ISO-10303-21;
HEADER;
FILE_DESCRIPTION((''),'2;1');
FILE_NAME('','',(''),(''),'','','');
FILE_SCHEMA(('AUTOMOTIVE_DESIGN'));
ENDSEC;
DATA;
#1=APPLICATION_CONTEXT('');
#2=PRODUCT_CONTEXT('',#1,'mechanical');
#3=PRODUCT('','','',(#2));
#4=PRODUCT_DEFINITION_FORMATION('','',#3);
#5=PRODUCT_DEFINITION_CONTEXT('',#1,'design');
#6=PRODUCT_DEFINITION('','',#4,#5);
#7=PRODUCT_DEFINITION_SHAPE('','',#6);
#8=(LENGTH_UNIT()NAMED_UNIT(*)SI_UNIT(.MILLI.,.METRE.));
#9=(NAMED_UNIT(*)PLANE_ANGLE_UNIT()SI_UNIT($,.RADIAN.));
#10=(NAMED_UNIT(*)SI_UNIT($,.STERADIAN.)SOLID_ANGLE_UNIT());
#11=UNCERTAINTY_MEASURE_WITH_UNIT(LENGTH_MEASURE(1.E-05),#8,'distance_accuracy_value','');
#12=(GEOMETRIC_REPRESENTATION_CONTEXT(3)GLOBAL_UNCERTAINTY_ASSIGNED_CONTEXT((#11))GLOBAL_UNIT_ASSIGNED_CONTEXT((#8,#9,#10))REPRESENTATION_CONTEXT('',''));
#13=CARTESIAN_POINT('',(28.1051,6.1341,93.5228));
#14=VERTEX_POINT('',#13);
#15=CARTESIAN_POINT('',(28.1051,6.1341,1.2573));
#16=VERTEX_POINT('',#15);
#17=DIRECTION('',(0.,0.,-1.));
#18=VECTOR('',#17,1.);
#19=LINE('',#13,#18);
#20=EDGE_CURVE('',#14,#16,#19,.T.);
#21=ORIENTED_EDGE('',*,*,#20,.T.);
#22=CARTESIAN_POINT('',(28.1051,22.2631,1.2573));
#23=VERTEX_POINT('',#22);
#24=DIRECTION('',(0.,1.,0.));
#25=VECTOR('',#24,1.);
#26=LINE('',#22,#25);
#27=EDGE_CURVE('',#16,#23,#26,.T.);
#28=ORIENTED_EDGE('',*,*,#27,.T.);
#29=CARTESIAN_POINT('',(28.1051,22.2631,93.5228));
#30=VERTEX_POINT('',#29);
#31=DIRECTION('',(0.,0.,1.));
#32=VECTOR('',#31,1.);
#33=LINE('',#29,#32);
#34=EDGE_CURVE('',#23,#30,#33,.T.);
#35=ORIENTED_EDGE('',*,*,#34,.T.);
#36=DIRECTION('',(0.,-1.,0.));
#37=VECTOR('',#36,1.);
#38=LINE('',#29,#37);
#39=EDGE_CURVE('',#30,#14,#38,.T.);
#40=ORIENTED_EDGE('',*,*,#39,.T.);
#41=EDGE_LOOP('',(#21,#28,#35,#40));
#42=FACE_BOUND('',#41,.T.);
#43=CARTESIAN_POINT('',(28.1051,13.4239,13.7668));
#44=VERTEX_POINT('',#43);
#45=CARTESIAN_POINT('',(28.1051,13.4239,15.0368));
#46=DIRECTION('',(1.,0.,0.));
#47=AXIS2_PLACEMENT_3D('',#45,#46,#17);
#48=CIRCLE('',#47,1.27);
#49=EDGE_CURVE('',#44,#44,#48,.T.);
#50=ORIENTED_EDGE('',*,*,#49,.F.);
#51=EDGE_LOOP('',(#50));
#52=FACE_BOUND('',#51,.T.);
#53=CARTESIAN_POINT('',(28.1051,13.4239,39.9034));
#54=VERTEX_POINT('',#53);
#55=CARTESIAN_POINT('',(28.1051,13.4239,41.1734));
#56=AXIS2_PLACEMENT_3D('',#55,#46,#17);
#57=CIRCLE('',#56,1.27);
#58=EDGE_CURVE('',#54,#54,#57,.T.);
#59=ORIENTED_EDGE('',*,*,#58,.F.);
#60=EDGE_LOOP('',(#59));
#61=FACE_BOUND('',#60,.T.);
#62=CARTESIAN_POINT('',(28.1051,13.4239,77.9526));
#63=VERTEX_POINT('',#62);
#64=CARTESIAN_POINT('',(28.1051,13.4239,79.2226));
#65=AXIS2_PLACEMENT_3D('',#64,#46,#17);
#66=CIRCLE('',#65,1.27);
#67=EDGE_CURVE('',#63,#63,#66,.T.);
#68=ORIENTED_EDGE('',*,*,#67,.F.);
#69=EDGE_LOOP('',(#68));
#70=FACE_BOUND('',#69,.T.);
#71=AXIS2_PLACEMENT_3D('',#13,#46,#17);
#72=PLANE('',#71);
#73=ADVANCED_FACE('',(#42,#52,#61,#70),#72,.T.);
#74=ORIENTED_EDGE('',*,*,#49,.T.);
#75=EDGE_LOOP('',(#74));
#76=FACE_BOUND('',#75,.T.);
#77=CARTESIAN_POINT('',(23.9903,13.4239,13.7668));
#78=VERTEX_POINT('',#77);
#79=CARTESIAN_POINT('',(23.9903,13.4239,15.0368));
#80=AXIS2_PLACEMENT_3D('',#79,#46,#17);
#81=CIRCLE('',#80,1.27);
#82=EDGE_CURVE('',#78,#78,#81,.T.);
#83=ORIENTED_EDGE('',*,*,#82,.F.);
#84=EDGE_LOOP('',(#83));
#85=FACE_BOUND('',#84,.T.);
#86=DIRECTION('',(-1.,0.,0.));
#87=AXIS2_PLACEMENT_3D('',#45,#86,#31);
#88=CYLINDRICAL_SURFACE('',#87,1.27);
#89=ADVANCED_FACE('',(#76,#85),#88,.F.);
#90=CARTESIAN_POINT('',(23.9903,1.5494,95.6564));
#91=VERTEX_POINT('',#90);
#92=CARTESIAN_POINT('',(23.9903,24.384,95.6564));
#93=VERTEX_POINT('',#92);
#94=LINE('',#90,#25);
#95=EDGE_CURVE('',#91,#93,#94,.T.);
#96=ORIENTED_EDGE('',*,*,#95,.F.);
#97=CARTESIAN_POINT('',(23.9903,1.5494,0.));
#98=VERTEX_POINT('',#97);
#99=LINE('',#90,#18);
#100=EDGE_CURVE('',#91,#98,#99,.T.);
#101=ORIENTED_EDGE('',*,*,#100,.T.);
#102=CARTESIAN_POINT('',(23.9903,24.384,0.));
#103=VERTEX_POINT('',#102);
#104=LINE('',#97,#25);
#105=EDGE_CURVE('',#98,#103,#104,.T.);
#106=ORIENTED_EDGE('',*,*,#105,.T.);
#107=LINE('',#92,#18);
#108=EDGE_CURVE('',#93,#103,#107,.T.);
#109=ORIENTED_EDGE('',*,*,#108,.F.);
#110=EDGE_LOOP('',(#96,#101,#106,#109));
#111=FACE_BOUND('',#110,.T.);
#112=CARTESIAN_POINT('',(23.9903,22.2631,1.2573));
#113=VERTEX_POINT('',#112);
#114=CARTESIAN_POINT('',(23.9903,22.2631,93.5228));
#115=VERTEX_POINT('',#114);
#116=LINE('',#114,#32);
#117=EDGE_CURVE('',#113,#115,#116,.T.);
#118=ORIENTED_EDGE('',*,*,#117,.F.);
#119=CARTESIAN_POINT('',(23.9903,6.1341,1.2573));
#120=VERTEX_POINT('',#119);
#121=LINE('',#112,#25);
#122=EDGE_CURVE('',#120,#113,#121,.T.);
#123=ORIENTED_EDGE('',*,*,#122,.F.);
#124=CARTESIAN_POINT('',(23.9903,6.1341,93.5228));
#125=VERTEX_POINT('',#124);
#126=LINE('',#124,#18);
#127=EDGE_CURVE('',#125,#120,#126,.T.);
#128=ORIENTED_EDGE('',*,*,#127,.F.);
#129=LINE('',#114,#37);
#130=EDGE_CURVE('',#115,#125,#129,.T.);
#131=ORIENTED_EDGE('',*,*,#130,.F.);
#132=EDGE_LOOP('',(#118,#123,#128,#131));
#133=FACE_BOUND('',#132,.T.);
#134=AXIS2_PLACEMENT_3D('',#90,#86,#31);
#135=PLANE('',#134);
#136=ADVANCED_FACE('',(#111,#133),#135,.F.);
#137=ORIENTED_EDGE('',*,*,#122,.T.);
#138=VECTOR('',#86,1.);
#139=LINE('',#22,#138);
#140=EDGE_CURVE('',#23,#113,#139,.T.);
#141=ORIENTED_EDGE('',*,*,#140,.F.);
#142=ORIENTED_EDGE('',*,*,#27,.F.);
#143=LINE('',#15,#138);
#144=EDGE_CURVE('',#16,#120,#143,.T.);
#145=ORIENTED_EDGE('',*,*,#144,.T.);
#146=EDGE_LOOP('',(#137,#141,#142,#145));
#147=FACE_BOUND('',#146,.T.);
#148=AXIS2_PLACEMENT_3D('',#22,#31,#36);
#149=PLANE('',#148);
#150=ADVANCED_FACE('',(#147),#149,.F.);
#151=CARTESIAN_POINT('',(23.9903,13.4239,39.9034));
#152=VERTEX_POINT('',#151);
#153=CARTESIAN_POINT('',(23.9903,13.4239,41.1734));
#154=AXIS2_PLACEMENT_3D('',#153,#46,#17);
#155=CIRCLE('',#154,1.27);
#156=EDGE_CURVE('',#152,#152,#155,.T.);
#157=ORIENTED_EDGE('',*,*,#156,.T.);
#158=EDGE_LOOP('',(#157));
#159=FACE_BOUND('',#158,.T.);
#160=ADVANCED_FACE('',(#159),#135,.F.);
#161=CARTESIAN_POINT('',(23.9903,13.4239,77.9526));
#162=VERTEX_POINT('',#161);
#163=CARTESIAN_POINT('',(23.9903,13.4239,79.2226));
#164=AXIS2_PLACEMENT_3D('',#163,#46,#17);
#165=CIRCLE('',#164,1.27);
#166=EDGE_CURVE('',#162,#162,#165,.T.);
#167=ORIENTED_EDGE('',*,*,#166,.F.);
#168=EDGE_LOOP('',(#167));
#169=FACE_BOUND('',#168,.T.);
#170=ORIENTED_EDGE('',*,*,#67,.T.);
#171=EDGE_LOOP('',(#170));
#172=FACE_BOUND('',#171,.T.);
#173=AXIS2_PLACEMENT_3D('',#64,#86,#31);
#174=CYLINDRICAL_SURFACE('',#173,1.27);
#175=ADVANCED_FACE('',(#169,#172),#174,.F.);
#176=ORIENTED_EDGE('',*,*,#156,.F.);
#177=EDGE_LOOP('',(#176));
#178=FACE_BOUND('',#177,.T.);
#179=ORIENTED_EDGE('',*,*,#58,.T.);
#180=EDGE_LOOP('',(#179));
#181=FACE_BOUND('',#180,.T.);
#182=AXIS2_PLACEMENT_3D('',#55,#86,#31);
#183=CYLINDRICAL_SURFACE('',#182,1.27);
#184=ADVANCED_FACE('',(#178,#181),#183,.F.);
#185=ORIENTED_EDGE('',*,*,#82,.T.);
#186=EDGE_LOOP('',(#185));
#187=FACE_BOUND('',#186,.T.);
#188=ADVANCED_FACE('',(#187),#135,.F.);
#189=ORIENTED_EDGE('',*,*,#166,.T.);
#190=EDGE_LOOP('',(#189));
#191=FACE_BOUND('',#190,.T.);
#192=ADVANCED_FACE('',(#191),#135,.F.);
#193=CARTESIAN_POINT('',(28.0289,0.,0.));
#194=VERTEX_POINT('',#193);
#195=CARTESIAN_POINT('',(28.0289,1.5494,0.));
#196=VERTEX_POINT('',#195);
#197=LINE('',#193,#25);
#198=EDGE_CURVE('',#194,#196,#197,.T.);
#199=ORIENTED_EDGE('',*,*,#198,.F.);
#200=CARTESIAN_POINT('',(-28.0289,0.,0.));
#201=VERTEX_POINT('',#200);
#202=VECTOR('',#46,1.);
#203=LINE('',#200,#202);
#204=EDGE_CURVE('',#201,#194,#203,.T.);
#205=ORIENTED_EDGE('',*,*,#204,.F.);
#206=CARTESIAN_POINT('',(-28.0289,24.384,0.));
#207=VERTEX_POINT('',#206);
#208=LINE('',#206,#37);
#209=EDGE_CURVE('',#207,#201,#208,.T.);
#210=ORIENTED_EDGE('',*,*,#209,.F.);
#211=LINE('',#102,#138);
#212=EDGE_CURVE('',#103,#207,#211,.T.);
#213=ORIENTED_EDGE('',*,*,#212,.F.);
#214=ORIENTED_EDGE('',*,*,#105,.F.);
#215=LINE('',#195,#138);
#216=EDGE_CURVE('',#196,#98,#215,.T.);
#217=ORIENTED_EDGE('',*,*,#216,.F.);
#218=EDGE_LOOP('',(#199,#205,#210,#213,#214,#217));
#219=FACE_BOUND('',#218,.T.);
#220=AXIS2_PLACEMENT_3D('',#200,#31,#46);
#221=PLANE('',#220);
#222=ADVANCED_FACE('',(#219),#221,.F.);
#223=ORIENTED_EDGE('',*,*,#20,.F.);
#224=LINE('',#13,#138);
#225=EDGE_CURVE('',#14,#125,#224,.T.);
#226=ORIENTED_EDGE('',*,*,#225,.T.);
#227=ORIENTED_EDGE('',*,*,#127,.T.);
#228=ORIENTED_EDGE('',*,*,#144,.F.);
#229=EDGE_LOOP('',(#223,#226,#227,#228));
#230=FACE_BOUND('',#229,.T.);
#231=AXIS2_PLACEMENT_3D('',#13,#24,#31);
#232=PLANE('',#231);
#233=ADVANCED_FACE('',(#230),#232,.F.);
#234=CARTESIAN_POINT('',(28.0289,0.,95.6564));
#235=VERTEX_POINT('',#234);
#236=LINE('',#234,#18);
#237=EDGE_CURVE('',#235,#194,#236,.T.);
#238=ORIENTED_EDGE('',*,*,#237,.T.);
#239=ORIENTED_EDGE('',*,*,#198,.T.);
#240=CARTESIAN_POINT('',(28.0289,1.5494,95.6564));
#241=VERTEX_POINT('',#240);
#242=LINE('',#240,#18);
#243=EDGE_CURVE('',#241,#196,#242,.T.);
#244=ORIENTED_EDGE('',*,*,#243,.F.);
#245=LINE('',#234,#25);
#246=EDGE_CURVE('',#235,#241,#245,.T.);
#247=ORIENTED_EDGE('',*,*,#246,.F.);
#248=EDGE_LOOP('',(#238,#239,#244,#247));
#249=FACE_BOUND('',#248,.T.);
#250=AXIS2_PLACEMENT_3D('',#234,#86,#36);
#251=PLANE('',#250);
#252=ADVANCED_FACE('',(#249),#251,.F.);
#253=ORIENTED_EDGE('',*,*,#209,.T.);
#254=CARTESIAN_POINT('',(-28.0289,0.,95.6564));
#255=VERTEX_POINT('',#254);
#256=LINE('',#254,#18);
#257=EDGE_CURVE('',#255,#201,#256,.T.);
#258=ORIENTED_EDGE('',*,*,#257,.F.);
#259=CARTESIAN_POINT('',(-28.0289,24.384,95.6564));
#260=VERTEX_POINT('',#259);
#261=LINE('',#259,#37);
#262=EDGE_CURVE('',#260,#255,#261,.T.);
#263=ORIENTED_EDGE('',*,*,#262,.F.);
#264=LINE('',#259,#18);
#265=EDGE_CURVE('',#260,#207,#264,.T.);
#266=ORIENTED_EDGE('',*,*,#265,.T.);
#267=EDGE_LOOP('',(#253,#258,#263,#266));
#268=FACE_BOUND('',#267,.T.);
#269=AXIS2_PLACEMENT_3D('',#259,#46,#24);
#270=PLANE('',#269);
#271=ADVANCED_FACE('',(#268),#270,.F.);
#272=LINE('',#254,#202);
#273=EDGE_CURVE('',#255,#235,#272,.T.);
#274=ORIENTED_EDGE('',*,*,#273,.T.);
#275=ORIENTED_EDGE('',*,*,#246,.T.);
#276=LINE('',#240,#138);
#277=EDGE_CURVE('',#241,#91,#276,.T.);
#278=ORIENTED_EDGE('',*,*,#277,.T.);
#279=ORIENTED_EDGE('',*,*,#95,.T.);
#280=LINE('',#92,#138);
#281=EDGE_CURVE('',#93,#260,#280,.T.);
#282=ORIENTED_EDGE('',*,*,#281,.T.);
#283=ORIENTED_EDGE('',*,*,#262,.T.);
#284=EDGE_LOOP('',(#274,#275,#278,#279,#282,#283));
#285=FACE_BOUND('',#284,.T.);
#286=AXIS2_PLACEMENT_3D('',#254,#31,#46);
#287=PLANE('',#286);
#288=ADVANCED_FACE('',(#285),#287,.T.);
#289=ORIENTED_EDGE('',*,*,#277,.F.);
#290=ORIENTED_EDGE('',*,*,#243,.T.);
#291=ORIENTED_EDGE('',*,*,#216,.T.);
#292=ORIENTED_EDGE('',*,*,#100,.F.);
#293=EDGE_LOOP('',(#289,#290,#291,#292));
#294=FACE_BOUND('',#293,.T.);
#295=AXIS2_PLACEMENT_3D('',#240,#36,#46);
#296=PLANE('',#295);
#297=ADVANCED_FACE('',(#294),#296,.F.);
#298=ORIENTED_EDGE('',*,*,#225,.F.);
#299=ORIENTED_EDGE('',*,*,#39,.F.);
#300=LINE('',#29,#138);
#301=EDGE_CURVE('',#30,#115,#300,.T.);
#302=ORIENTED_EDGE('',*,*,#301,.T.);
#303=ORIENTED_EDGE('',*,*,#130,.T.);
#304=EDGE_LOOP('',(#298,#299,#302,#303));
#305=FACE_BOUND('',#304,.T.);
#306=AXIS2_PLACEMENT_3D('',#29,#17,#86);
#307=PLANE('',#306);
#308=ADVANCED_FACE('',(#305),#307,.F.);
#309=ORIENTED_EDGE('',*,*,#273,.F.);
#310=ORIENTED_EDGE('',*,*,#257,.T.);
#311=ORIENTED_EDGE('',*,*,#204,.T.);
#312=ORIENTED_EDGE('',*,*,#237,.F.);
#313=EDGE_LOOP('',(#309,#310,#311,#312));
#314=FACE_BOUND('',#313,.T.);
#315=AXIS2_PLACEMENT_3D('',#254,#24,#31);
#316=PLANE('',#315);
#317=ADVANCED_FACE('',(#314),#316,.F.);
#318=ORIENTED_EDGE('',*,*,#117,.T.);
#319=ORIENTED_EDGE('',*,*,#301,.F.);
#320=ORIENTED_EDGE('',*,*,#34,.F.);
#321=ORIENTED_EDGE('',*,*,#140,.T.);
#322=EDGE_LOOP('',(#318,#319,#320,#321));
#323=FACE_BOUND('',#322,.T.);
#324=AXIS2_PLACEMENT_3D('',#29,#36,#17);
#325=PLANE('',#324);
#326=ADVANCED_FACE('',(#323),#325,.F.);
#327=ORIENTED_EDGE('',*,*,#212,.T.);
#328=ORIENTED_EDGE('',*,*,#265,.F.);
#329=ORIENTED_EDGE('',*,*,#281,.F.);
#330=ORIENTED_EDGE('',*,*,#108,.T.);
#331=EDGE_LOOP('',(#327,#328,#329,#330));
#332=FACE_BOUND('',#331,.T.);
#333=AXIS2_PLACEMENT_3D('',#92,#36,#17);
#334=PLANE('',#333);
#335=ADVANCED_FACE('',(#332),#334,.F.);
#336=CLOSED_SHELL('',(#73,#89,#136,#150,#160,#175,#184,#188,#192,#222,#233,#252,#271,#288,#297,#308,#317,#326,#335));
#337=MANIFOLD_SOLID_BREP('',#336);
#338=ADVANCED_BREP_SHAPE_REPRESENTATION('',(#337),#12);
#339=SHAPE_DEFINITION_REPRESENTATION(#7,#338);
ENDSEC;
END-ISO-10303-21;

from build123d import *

# Parameters (mm, degrees)
BOSS_EXTRUDE1_DEPTH = 95.6564
SKETCH2_W           = 92.2655
SKETCH2_H           = 16.129
SKETCH2_R           = 1.27
BOSS_EXTRUDE2_DEPTH = 4.1148


with BuildPart() as part:
    # Sketch1 → Boss-Extrude1 (new body)
    with BuildSketch(Plane.XY):
        Polygon((-28.0289, 0), (28.0289, 0), (28.0289, 1.5494), (23.9903, 1.5494), (23.9903, 24.384), (-28.0289, 24.384), align=None)
    extrude(amount=BOSS_EXTRUDE1_DEPTH)

    # Sketch2 → Boss-Extrude2 (add)
    with BuildSketch(Plane(origin=(23.9903, 0, 0), x_dir=(0, 0, -1), z_dir=(1, 0, 0))):
        with Locations((-47.39005, 14.1986)):
            Rectangle(SKETCH2_W, SKETCH2_H)
        with Locations((-79.2226, 13.4239)):
            Circle(SKETCH2_R, mode=Mode.SUBTRACT)
        with Locations((-41.1734, 13.4239)):
            Circle(SKETCH2_R, mode=Mode.SUBTRACT)
        with Locations((-15.0368, 13.4239)):
            Circle(SKETCH2_R, mode=Mode.SUBTRACT)
    extrude(amount=BOSS_EXTRUDE2_DEPTH)


solid = part.part
